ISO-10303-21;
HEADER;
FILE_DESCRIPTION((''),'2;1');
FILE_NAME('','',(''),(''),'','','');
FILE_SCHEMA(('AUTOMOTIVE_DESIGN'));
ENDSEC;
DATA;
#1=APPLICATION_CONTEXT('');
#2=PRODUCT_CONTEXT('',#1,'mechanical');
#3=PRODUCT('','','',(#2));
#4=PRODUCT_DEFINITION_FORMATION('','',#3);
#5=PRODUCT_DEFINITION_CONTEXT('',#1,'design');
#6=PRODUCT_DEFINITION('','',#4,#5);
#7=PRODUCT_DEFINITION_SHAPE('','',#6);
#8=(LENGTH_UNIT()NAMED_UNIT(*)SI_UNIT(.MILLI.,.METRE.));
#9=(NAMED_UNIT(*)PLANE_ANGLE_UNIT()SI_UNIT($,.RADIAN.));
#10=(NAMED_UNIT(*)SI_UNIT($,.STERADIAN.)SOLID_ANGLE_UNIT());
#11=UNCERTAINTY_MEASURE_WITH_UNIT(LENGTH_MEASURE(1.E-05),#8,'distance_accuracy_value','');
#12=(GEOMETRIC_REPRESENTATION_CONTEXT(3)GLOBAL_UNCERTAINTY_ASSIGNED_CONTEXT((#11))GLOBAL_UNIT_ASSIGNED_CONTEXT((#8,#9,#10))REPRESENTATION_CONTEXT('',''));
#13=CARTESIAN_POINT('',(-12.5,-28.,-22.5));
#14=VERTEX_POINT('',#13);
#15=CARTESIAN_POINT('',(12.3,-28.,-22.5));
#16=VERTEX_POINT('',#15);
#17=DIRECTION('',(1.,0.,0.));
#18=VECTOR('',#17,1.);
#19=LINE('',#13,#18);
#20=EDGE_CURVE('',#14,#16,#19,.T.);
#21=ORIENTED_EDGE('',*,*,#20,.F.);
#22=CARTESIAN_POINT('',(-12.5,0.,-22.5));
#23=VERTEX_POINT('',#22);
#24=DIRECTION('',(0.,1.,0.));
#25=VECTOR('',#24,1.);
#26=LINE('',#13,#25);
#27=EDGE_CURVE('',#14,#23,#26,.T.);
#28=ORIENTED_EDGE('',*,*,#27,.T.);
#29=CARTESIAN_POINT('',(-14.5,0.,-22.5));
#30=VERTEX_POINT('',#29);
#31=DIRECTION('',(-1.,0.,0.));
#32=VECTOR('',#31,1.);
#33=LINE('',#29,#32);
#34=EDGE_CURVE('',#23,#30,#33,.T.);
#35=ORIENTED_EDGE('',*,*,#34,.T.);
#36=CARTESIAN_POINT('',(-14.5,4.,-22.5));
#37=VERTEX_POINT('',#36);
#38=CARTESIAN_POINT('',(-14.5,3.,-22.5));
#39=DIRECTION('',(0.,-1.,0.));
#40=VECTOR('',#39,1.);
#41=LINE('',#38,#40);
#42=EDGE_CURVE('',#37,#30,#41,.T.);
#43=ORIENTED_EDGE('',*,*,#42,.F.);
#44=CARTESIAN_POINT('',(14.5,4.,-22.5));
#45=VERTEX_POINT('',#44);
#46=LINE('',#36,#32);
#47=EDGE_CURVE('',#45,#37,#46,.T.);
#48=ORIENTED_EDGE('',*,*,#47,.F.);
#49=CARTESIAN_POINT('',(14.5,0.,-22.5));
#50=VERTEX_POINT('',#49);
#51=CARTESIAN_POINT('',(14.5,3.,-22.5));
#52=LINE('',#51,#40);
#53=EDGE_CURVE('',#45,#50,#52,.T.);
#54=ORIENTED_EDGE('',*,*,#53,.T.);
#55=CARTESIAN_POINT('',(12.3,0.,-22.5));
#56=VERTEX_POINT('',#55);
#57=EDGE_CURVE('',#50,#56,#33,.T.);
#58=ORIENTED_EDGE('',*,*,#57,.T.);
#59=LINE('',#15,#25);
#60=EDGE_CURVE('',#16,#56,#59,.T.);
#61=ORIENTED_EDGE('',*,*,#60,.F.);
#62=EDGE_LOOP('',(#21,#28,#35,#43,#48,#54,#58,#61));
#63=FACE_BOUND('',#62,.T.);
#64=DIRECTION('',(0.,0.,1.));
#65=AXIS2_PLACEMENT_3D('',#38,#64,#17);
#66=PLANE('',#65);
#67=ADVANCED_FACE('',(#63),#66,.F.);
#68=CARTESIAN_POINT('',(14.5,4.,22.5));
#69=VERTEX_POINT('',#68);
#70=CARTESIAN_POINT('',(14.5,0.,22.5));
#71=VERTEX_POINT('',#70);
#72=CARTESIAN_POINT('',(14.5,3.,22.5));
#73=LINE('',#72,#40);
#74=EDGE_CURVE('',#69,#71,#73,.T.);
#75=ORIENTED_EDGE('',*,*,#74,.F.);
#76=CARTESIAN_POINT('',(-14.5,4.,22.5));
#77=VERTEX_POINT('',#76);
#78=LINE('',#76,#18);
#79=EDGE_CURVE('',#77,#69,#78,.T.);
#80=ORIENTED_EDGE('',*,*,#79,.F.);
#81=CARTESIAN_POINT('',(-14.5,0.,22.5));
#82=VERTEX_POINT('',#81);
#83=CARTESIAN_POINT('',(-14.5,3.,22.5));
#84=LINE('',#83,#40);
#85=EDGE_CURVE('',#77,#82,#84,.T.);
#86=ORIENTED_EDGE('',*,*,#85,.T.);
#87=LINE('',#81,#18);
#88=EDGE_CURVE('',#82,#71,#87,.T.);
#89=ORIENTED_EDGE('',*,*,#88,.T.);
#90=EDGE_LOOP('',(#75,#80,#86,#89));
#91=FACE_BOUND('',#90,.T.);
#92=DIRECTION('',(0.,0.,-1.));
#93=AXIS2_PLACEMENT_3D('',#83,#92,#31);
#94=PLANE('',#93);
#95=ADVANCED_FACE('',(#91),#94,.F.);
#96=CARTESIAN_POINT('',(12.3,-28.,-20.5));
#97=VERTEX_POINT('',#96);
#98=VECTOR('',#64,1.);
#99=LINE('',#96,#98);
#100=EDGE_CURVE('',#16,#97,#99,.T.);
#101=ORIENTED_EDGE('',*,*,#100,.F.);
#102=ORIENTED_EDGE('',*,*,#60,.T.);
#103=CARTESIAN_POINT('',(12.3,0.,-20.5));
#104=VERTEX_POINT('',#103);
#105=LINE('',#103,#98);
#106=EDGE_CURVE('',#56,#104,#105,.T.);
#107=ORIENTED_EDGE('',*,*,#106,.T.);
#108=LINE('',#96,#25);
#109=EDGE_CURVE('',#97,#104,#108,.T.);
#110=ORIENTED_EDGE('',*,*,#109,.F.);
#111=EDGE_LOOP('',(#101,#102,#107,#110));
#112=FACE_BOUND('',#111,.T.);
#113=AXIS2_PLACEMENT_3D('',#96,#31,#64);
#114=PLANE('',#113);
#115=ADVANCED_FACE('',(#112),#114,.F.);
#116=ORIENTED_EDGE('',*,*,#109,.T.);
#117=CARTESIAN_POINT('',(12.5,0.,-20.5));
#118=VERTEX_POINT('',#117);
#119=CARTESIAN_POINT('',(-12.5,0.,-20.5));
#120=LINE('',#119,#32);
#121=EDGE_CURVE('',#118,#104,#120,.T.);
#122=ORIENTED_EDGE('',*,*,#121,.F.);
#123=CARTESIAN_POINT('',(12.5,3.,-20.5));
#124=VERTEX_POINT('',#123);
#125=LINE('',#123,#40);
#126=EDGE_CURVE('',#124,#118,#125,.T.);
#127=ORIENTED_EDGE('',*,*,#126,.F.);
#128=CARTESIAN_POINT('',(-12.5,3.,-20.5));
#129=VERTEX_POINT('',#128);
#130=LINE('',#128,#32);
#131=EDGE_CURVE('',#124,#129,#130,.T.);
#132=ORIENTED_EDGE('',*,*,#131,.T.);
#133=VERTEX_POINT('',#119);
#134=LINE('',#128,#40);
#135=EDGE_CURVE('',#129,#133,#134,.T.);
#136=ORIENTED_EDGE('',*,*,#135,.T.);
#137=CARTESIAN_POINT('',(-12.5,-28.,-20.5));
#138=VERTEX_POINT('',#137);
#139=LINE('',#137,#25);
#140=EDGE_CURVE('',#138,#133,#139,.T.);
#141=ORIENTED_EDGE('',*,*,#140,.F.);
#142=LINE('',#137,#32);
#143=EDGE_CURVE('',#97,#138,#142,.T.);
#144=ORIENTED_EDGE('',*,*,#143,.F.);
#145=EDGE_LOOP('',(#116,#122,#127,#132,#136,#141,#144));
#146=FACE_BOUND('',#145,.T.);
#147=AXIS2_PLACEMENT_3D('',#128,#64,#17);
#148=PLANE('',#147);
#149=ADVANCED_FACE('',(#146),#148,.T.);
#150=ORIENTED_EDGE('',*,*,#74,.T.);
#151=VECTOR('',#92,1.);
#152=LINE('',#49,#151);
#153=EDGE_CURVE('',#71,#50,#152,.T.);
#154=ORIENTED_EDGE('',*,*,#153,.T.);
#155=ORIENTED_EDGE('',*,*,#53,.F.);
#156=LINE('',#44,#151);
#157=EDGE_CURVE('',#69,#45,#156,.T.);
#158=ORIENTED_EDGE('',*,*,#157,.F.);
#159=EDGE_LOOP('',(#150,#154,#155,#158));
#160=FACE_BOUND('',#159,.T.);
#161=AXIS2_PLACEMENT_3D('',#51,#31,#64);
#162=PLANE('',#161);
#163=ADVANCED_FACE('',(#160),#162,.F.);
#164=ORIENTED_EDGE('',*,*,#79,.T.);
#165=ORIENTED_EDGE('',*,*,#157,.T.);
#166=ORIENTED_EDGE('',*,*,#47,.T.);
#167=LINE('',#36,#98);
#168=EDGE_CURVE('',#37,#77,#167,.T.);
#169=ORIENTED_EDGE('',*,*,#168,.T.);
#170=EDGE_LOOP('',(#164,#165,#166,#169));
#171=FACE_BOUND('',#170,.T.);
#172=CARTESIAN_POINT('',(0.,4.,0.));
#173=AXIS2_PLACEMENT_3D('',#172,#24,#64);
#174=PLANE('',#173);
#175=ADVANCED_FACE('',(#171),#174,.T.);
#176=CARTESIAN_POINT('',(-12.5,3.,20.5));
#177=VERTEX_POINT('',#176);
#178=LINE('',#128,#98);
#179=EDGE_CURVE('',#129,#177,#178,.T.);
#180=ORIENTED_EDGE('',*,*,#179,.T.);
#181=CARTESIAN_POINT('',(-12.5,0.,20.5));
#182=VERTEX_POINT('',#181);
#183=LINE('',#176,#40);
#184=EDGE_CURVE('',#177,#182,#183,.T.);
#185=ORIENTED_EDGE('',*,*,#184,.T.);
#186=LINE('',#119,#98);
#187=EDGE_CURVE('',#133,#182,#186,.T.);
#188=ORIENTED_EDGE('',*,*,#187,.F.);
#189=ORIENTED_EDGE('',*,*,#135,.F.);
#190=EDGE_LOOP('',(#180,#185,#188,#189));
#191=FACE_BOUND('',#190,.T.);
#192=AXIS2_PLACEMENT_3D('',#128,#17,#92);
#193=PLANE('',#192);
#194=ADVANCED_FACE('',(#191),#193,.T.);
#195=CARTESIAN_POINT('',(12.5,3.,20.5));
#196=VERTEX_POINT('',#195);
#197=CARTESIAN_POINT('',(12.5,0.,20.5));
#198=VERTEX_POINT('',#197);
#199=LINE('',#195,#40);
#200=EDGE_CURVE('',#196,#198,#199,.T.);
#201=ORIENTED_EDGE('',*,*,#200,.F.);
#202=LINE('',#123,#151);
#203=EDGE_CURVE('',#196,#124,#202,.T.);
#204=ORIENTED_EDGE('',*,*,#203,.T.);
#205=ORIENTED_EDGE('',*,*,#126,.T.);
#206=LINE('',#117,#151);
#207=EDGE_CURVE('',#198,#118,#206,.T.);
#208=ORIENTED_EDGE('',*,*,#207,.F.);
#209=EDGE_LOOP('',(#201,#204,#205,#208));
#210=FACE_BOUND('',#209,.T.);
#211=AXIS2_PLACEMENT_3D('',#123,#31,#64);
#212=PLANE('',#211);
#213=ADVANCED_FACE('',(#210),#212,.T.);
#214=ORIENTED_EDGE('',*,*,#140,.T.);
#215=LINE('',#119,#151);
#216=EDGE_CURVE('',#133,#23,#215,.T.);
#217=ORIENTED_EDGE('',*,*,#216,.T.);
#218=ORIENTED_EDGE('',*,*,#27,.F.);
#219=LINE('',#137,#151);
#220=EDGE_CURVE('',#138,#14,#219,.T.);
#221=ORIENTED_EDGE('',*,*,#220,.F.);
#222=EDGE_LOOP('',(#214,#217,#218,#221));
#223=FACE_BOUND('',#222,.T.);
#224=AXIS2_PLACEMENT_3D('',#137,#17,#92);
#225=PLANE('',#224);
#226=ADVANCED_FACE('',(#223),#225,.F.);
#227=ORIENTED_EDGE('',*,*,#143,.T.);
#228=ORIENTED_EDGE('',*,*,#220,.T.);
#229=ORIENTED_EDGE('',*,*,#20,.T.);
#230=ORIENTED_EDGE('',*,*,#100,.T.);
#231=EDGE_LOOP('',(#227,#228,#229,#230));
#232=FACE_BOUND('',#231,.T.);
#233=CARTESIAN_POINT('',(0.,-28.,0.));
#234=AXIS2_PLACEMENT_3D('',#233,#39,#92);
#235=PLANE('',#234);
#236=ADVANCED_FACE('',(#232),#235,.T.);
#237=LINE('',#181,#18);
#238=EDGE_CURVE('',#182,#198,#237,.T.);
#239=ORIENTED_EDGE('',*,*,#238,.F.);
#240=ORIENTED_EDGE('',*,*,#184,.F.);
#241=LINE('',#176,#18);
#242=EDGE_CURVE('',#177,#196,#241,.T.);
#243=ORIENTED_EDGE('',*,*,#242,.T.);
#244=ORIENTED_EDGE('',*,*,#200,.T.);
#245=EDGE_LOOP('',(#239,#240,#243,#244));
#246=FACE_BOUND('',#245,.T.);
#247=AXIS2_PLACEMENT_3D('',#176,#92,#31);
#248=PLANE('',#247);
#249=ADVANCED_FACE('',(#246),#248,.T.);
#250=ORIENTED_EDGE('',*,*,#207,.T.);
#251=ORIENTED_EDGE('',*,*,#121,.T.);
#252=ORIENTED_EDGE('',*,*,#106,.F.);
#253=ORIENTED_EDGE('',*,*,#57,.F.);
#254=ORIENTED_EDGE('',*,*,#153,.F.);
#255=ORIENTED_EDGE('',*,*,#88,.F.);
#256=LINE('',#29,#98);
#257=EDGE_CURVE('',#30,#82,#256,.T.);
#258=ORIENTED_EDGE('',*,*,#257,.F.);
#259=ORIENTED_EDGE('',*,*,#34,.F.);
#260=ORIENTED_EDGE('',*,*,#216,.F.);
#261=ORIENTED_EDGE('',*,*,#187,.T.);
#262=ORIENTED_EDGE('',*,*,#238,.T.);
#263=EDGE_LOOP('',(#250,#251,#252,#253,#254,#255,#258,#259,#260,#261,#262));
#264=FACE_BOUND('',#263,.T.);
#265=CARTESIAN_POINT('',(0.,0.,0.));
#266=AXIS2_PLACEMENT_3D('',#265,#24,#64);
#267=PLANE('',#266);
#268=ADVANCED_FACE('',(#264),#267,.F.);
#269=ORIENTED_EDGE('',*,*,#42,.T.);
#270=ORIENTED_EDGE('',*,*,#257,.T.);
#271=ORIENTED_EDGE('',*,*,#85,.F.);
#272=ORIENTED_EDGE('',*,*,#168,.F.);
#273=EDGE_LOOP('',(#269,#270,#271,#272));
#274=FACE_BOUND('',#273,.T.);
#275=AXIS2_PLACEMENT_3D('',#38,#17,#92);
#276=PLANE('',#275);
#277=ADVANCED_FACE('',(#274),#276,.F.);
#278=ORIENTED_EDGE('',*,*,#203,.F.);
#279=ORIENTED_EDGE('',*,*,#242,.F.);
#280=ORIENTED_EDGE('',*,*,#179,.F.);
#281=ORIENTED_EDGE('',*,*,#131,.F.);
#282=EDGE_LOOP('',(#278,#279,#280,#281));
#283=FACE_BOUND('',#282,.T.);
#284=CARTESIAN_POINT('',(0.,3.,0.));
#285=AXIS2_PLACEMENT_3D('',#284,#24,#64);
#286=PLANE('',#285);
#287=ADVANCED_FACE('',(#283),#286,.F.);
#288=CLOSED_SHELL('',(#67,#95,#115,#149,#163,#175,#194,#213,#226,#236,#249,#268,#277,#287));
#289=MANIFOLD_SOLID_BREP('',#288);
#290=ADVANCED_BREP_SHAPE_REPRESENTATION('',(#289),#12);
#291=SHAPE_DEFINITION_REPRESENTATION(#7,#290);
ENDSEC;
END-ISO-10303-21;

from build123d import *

# Parameters (mm, degrees)
SKETCH1_W           = 29
SKETCH1_H           = 45
SKETCH1_W_2         = 25
SKETCH1_H_2         = 41
BOSS_EXTRUDE1_DEPTH = 3
SKETCH2_W           = 29
SKETCH2_H           = 45
BOSS_EXTRUDE2_DEPTH = 1
SKETCH4_W           = 24.8
SKETCH4_H           = 2
BOSS_EXTRUDE3_DEPTH = 28


with BuildPart() as part:
    # Sketch1 → Boss-Extrude1 (new body)
    with BuildSketch(Plane(origin=(0, 0, 0), x_dir=(1, 0, 0), z_dir=(0, 1, 0))):
        Rectangle(SKETCH1_W, SKETCH1_H)
        Rectangle(SKETCH1_W_2, SKETCH1_H_2, mode=Mode.SUBTRACT)
    extrude(amount=BOSS_EXTRUDE1_DEPTH)

    # Sketch2 → Boss-Extrude2 (add)
    with BuildSketch(Plane(origin=(0, 3, 0), x_dir=(1, 0, 0), z_dir=(0, 1, 0))):
        Rectangle(SKETCH2_W, SKETCH2_H)
    extrude(amount=BOSS_EXTRUDE2_DEPTH)

    # Sketch4 → Boss-Extrude3 (add)
    with BuildSketch(Plane(origin=(0, 0, 0), x_dir=(-1, 0, 0), z_dir=(0, -1, 0))):
        with Locations((0.1, 21.5)):
            Rectangle(SKETCH4_W, SKETCH4_H)
    extrude(amount=BOSS_EXTRUDE3_DEPTH)


solid = part.part
